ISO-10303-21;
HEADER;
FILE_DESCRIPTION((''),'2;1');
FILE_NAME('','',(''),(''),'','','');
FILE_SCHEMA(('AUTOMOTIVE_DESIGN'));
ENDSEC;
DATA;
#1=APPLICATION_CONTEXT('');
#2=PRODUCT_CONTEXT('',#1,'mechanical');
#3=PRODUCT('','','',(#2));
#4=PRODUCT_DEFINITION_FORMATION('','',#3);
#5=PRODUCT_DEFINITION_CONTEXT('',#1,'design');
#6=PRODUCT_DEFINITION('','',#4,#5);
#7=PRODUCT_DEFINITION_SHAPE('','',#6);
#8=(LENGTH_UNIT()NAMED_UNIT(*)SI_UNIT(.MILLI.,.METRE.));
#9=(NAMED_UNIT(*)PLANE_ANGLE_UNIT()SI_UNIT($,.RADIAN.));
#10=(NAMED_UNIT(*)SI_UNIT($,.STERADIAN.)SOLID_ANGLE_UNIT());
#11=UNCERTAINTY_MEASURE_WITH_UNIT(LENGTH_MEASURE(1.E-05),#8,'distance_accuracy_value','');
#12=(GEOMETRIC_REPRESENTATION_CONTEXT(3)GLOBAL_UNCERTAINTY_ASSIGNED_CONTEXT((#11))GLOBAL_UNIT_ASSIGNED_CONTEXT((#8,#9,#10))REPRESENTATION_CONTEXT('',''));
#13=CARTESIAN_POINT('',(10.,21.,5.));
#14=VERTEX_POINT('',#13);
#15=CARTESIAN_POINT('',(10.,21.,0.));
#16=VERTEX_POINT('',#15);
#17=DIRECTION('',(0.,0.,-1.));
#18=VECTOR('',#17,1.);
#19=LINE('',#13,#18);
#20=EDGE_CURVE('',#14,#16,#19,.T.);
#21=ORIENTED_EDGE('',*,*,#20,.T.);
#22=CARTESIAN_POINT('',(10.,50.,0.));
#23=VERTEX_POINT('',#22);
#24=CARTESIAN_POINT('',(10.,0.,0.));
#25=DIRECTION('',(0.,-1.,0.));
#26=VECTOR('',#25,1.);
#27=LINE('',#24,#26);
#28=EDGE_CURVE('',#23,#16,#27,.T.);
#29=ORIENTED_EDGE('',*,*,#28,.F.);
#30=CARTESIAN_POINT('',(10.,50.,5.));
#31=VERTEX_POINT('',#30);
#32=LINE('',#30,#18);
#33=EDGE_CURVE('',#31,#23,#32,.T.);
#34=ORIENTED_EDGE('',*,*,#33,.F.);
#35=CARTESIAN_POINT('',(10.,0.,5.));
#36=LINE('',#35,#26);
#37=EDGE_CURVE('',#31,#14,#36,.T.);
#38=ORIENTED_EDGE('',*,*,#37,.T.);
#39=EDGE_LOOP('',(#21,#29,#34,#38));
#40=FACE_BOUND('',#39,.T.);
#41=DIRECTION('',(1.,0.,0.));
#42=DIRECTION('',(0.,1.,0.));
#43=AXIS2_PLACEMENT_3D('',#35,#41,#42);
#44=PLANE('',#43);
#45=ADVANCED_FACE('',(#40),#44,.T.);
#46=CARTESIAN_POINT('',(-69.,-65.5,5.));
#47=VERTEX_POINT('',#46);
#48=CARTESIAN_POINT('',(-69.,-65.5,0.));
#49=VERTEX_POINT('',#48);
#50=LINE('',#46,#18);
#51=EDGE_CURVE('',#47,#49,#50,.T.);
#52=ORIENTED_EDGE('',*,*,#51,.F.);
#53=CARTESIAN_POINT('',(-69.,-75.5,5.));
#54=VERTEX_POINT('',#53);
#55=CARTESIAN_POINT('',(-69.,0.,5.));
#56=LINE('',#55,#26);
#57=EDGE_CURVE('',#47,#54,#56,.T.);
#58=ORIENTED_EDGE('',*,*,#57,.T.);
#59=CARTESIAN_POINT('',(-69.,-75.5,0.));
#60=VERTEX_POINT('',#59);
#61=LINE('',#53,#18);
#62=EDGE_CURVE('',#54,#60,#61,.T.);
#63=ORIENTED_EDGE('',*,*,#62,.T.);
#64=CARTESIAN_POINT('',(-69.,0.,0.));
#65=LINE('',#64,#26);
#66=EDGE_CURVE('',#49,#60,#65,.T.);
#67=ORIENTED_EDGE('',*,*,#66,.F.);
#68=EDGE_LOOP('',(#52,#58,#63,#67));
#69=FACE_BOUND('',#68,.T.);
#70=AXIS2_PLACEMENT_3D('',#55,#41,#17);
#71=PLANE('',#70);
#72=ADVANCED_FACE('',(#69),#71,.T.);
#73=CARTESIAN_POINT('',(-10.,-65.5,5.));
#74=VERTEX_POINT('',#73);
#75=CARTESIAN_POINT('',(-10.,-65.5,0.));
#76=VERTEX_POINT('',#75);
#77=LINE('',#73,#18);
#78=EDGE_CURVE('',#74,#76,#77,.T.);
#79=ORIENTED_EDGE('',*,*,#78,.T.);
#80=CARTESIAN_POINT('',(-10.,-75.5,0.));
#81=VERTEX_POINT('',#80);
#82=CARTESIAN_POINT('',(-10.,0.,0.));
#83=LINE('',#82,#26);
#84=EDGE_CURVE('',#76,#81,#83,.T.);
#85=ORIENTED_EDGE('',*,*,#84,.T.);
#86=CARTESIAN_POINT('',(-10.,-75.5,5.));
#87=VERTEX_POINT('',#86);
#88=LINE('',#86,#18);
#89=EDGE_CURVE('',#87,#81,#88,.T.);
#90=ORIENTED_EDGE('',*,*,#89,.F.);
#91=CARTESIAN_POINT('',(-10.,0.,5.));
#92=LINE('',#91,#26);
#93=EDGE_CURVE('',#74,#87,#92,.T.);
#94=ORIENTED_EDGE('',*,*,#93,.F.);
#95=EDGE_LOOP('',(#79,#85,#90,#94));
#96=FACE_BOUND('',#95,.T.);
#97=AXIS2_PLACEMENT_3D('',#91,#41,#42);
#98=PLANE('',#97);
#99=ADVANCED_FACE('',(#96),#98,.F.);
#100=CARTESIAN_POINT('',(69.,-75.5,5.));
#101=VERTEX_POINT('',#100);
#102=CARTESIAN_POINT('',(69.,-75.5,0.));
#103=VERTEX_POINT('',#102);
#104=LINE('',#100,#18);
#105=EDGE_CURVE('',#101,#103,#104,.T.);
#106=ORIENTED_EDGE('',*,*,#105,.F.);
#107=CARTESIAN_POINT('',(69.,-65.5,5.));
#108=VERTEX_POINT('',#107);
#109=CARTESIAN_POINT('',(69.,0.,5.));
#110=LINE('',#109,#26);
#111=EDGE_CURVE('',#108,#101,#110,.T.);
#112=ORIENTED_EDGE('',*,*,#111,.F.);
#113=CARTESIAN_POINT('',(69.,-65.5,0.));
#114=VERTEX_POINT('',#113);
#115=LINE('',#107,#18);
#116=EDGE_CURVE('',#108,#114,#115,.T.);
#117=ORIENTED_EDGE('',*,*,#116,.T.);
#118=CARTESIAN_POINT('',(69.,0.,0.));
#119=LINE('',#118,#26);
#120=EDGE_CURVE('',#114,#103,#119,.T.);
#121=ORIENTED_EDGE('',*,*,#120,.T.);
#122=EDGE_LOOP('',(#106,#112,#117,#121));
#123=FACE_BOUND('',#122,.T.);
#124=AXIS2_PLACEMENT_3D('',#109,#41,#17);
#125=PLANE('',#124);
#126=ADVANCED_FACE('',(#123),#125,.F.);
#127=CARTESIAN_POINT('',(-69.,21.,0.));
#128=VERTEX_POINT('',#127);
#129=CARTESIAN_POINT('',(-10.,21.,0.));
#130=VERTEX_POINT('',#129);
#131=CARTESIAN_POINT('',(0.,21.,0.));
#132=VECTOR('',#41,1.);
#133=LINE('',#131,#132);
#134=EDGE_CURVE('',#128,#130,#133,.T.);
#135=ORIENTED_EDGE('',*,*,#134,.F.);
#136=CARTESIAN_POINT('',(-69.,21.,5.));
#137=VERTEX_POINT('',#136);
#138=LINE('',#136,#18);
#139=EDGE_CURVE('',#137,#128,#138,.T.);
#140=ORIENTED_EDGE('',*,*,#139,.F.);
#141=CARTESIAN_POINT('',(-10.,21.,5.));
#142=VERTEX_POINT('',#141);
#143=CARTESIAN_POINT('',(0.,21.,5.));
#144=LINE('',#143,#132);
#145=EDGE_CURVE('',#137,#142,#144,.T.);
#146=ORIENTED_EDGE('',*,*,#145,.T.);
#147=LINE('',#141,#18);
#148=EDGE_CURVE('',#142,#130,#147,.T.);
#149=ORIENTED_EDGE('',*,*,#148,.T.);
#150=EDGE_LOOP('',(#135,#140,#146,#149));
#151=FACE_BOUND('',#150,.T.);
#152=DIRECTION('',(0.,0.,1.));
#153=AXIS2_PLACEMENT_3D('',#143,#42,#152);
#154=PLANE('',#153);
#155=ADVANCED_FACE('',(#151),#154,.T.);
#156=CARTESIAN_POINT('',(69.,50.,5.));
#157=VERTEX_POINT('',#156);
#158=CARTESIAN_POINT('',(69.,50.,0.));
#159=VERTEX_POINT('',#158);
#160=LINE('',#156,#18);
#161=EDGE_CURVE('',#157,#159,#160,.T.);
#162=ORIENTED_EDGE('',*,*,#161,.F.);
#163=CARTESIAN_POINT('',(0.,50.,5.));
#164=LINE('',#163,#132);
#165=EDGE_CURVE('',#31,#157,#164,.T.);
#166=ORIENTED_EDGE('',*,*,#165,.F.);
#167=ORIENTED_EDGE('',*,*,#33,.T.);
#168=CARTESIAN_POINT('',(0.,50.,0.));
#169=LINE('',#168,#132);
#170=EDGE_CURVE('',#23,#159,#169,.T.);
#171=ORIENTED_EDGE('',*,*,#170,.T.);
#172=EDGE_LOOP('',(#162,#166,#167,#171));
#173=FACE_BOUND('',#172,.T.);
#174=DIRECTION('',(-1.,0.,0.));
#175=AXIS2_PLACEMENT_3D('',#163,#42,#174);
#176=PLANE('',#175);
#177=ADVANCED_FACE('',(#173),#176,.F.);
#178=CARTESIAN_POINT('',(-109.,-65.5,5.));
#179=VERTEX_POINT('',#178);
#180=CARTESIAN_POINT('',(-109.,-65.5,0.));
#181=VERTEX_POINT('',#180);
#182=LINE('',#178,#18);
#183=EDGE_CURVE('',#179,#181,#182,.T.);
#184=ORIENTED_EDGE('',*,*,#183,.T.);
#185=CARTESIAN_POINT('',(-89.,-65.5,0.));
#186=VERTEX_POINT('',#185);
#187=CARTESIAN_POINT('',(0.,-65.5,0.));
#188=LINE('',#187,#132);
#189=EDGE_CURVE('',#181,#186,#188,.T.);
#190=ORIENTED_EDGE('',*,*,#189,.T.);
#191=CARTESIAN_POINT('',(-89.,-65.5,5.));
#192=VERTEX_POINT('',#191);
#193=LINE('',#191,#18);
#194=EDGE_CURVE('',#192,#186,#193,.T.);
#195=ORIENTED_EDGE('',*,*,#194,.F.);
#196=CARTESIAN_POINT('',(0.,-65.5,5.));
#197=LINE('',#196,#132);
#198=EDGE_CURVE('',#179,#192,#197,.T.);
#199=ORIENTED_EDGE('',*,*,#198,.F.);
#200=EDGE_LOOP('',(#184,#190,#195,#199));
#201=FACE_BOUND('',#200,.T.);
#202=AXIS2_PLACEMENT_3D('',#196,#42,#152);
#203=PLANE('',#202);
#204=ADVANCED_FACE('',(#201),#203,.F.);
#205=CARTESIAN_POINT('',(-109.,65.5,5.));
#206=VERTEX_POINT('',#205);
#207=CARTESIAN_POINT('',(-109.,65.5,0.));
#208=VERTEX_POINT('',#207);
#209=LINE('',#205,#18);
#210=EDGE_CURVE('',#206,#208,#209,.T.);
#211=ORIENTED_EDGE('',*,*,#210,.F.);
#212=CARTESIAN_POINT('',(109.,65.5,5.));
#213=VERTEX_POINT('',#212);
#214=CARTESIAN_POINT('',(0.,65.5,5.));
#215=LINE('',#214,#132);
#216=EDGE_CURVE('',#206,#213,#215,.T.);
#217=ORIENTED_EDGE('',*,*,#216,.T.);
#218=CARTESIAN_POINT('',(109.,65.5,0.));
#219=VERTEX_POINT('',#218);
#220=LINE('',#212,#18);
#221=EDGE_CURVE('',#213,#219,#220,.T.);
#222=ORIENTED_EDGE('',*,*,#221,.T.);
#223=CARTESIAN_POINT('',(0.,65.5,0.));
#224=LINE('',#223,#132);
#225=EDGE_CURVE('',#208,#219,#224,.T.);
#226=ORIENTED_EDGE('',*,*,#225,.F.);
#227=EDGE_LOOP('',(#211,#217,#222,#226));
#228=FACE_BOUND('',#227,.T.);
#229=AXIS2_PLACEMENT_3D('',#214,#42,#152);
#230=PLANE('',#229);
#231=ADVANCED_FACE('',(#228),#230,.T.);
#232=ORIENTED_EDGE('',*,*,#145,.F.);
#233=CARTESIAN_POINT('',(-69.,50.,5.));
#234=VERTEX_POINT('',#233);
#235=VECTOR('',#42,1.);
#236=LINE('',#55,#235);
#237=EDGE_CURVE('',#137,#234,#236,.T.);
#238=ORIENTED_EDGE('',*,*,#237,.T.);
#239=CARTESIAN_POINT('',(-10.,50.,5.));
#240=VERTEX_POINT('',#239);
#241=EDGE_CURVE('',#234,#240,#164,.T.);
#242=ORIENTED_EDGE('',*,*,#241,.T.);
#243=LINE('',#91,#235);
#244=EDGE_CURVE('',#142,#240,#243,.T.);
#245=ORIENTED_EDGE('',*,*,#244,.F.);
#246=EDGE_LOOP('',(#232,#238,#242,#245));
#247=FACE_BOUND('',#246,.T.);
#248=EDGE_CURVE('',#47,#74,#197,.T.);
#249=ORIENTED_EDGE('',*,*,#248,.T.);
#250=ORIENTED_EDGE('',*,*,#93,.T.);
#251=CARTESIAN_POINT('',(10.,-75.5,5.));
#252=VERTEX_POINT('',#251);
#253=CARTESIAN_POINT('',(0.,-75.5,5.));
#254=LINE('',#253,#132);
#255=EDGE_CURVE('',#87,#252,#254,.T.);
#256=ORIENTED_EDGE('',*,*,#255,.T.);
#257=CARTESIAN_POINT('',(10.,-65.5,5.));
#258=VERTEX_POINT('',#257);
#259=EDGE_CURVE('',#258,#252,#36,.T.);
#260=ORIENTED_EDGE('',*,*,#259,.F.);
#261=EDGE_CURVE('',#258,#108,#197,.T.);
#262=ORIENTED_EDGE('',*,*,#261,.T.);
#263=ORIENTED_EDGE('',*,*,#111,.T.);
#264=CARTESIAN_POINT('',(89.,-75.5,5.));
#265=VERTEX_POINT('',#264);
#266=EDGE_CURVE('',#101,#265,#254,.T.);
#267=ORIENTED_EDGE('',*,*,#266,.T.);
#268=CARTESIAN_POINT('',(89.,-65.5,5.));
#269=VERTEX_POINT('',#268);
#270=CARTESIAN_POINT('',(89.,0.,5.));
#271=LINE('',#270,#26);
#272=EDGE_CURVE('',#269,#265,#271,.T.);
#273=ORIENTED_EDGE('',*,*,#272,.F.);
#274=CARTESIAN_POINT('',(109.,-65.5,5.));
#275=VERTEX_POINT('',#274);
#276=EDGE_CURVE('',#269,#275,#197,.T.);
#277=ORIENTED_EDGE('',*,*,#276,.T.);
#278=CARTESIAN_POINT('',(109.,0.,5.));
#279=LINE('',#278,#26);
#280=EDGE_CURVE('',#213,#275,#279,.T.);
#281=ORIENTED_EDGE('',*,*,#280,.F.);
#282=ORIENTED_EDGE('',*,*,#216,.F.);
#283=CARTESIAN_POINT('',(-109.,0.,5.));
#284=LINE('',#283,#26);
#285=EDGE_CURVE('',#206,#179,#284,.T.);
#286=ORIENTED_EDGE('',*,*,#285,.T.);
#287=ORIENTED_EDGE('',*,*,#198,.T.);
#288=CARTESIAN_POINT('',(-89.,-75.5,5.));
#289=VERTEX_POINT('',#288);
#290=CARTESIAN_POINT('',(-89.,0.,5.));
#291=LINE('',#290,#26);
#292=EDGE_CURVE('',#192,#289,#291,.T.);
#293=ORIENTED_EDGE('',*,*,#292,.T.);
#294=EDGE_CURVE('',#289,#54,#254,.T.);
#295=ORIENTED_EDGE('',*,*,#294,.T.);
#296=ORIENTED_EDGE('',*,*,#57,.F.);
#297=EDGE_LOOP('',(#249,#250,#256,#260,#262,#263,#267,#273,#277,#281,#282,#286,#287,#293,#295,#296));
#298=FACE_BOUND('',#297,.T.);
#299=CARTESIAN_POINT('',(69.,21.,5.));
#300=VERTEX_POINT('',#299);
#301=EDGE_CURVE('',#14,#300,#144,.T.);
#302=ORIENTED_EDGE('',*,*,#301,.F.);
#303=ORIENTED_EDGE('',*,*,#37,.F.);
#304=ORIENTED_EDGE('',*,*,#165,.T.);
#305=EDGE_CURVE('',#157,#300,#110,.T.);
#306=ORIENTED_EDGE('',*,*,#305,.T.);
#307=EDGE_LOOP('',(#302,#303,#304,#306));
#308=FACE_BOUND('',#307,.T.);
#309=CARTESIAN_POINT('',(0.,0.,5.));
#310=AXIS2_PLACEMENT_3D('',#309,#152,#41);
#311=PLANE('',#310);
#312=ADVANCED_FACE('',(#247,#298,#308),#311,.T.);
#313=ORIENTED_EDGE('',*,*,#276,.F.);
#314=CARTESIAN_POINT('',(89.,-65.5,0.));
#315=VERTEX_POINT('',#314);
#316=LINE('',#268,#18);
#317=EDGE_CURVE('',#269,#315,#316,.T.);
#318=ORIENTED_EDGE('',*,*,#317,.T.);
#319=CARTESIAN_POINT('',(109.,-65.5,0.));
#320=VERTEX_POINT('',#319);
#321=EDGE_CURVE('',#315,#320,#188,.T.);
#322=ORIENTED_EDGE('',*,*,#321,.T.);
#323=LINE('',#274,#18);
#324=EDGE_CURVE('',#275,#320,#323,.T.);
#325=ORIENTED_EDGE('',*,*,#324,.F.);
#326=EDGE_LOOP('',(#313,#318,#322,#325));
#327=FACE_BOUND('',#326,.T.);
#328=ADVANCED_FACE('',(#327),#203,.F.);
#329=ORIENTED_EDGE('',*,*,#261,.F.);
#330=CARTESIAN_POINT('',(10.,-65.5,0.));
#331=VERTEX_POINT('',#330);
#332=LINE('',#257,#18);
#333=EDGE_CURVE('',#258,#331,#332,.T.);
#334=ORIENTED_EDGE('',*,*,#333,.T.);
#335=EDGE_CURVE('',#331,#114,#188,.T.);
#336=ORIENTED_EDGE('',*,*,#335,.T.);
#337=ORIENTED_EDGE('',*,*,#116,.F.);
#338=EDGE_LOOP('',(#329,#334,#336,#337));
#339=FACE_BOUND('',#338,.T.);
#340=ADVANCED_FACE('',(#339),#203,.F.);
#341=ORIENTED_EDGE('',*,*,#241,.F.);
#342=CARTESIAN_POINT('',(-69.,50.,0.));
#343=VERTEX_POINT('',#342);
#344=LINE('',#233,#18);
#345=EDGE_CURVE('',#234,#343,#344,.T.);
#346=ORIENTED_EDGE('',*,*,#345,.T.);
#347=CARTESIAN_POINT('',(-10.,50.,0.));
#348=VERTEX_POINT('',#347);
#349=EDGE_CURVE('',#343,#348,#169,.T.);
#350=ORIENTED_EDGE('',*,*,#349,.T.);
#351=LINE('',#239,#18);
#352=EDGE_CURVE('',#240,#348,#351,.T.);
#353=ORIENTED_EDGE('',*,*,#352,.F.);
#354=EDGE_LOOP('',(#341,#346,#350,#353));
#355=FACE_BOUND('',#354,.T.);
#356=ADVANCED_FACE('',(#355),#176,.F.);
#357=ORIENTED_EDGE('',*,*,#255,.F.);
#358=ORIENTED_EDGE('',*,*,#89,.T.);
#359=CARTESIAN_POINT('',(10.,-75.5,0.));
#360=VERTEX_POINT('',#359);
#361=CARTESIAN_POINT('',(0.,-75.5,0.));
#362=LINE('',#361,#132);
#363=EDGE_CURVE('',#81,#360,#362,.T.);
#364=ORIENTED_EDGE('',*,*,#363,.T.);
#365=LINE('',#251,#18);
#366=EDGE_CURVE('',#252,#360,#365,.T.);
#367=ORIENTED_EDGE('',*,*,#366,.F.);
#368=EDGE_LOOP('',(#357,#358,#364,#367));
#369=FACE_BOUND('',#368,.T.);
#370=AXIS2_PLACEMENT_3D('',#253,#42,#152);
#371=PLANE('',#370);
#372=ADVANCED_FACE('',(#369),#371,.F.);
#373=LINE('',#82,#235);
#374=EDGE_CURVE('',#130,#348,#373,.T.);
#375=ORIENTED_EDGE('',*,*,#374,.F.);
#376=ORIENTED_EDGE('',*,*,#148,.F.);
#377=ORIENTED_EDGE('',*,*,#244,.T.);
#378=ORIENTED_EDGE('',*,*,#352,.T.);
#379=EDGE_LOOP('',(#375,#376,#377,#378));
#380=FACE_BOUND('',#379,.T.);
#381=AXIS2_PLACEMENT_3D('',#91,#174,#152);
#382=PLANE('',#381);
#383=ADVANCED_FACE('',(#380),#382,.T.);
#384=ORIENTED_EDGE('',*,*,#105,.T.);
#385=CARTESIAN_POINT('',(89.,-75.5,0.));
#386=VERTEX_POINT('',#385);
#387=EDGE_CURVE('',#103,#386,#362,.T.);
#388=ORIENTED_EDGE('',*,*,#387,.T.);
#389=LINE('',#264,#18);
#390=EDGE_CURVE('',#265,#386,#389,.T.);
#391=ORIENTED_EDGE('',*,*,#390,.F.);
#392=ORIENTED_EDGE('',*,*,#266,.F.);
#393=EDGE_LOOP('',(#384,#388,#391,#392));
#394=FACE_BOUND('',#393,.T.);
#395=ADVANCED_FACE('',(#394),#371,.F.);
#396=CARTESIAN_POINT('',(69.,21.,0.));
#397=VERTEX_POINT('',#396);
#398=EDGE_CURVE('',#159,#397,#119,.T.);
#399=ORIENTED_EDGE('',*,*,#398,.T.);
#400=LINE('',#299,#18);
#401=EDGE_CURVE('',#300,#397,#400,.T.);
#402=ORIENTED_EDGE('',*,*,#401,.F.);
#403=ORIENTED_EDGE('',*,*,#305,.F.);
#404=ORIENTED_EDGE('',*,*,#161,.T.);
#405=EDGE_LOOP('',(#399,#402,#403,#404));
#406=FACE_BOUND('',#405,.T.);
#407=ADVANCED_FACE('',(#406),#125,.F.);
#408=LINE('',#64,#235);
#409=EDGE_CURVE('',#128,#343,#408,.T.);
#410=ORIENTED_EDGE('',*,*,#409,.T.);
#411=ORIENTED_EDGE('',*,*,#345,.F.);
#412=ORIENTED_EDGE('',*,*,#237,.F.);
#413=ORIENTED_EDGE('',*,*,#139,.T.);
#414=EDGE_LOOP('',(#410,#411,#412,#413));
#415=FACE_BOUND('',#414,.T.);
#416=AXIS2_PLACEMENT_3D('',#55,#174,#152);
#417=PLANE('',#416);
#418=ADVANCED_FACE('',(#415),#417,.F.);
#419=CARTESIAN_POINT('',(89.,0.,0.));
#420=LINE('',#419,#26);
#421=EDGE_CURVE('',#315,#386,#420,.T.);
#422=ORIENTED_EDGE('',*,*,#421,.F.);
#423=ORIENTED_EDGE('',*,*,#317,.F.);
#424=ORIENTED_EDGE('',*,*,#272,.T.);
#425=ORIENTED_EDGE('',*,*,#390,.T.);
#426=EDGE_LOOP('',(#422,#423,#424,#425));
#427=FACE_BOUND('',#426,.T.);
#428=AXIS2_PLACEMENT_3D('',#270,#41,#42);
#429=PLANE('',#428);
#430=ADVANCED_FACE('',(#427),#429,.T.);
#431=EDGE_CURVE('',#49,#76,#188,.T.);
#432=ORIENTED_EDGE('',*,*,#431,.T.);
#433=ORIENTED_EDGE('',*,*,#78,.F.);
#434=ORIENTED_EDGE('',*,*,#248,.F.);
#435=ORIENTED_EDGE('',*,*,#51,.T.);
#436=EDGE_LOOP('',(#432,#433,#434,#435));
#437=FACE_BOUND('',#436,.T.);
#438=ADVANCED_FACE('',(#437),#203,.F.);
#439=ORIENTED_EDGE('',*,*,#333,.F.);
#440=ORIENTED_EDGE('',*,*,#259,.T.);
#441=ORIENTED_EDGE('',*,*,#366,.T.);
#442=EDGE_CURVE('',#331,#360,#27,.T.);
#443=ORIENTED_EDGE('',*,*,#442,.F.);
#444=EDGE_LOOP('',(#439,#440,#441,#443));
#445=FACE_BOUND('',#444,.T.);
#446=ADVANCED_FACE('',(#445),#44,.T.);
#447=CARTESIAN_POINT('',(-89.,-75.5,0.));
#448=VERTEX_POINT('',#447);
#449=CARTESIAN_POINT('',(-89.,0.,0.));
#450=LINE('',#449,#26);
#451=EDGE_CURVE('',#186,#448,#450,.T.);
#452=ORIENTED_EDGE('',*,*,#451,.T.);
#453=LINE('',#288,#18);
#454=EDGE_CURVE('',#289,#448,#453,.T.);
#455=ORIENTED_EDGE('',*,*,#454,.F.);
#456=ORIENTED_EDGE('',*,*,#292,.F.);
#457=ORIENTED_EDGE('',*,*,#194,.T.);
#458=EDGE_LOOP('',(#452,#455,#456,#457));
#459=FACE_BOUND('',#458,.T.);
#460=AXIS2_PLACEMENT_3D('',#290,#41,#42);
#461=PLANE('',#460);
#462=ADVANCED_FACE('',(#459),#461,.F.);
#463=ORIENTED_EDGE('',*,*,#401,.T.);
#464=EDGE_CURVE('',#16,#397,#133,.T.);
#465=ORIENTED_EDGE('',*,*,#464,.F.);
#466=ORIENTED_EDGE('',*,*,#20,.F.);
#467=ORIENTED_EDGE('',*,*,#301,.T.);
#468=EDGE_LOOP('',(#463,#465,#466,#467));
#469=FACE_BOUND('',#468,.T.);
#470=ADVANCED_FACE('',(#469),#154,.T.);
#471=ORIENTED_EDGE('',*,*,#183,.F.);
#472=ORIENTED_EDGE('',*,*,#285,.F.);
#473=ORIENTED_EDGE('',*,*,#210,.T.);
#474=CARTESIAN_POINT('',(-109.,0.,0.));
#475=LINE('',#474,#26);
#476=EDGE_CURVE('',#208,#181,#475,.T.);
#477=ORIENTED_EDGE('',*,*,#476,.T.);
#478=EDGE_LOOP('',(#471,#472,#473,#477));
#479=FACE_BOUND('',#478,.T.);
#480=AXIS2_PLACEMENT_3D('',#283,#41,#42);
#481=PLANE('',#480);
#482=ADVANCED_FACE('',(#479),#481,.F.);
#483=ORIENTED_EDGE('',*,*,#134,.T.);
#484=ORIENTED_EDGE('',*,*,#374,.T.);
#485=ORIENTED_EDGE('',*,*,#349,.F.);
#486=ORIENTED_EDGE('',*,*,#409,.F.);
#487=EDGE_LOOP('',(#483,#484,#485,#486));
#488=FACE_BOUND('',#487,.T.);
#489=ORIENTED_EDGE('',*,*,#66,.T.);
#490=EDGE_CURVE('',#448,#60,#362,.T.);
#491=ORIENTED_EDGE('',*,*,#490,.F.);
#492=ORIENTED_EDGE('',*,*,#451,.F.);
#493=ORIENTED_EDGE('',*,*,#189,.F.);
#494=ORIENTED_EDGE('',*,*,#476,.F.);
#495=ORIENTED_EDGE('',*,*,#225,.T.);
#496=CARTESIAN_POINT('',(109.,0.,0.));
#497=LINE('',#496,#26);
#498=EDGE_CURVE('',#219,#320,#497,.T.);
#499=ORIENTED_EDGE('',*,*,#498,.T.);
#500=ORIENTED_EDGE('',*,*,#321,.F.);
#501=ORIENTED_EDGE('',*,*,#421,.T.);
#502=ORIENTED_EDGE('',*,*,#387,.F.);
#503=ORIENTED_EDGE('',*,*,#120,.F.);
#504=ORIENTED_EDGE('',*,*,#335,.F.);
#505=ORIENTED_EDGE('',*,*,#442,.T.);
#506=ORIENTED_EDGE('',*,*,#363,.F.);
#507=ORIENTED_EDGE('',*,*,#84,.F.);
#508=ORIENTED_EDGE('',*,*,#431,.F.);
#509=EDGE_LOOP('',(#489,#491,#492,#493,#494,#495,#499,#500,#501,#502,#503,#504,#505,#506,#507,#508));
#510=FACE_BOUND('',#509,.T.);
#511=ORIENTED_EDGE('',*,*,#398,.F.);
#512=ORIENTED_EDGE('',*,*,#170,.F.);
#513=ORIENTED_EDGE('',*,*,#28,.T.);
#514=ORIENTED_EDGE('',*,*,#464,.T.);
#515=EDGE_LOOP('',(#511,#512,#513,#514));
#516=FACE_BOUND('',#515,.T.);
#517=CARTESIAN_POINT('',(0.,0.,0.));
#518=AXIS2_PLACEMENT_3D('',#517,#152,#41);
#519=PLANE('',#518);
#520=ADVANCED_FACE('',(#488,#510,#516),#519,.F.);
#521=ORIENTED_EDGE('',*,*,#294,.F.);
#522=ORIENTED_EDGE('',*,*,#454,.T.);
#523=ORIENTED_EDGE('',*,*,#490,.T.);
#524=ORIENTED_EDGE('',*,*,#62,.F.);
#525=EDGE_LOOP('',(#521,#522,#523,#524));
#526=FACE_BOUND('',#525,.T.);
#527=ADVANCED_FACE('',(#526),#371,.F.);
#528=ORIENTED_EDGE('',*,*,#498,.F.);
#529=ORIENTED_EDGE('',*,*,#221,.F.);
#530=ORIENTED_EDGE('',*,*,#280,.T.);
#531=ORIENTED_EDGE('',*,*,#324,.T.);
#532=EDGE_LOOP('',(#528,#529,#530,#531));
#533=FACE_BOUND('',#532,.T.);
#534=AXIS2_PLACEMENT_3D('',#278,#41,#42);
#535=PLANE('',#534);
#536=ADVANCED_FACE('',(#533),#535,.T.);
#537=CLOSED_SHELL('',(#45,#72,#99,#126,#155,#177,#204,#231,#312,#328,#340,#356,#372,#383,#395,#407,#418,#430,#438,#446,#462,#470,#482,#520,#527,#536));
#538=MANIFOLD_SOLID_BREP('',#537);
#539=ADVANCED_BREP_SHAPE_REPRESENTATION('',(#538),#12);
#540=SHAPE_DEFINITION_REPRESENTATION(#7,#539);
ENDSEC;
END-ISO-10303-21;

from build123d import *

# Parameters (mm, degrees)
SKETCH1_W           = 218
SKETCH1_H           = 131
SKETCH1_W_2         = 59
SKETCH1_H_2         = 29
SKETCH1_W_3         = 20
SKETCH1_H_3         = 10
BOSS_EXTRUDE1_DEPTH = 5


with BuildPart() as part:
    # Sketch1 → Boss-Extrude1 (new body)
    with BuildSketch(Plane.XY):
        Rectangle(SKETCH1_W, SKETCH1_H)
        with Locations((39.5, 35.5)):
            Rectangle(SKETCH1_W_2, SKETCH1_H_2, mode=Mode.SUBTRACT)
        with Locations((-39.5, 35.5)):
            Rectangle(SKETCH1_W_2, SKETCH1_H_2, mode=Mode.SUBTRACT)
        with Locations((-79, -70.5)):
            Rectangle(SKETCH1_W_3, SKETCH1_H_3)
        with Locations((0, -70.5)):
            Rectangle(SKETCH1_W_3, SKETCH1_H_3)
        with Locations((79, -70.5)):
            Rectangle(SKETCH1_W_3, SKETCH1_H_3)
    extrude(amount=BOSS_EXTRUDE1_DEPTH)


solid = part.part
